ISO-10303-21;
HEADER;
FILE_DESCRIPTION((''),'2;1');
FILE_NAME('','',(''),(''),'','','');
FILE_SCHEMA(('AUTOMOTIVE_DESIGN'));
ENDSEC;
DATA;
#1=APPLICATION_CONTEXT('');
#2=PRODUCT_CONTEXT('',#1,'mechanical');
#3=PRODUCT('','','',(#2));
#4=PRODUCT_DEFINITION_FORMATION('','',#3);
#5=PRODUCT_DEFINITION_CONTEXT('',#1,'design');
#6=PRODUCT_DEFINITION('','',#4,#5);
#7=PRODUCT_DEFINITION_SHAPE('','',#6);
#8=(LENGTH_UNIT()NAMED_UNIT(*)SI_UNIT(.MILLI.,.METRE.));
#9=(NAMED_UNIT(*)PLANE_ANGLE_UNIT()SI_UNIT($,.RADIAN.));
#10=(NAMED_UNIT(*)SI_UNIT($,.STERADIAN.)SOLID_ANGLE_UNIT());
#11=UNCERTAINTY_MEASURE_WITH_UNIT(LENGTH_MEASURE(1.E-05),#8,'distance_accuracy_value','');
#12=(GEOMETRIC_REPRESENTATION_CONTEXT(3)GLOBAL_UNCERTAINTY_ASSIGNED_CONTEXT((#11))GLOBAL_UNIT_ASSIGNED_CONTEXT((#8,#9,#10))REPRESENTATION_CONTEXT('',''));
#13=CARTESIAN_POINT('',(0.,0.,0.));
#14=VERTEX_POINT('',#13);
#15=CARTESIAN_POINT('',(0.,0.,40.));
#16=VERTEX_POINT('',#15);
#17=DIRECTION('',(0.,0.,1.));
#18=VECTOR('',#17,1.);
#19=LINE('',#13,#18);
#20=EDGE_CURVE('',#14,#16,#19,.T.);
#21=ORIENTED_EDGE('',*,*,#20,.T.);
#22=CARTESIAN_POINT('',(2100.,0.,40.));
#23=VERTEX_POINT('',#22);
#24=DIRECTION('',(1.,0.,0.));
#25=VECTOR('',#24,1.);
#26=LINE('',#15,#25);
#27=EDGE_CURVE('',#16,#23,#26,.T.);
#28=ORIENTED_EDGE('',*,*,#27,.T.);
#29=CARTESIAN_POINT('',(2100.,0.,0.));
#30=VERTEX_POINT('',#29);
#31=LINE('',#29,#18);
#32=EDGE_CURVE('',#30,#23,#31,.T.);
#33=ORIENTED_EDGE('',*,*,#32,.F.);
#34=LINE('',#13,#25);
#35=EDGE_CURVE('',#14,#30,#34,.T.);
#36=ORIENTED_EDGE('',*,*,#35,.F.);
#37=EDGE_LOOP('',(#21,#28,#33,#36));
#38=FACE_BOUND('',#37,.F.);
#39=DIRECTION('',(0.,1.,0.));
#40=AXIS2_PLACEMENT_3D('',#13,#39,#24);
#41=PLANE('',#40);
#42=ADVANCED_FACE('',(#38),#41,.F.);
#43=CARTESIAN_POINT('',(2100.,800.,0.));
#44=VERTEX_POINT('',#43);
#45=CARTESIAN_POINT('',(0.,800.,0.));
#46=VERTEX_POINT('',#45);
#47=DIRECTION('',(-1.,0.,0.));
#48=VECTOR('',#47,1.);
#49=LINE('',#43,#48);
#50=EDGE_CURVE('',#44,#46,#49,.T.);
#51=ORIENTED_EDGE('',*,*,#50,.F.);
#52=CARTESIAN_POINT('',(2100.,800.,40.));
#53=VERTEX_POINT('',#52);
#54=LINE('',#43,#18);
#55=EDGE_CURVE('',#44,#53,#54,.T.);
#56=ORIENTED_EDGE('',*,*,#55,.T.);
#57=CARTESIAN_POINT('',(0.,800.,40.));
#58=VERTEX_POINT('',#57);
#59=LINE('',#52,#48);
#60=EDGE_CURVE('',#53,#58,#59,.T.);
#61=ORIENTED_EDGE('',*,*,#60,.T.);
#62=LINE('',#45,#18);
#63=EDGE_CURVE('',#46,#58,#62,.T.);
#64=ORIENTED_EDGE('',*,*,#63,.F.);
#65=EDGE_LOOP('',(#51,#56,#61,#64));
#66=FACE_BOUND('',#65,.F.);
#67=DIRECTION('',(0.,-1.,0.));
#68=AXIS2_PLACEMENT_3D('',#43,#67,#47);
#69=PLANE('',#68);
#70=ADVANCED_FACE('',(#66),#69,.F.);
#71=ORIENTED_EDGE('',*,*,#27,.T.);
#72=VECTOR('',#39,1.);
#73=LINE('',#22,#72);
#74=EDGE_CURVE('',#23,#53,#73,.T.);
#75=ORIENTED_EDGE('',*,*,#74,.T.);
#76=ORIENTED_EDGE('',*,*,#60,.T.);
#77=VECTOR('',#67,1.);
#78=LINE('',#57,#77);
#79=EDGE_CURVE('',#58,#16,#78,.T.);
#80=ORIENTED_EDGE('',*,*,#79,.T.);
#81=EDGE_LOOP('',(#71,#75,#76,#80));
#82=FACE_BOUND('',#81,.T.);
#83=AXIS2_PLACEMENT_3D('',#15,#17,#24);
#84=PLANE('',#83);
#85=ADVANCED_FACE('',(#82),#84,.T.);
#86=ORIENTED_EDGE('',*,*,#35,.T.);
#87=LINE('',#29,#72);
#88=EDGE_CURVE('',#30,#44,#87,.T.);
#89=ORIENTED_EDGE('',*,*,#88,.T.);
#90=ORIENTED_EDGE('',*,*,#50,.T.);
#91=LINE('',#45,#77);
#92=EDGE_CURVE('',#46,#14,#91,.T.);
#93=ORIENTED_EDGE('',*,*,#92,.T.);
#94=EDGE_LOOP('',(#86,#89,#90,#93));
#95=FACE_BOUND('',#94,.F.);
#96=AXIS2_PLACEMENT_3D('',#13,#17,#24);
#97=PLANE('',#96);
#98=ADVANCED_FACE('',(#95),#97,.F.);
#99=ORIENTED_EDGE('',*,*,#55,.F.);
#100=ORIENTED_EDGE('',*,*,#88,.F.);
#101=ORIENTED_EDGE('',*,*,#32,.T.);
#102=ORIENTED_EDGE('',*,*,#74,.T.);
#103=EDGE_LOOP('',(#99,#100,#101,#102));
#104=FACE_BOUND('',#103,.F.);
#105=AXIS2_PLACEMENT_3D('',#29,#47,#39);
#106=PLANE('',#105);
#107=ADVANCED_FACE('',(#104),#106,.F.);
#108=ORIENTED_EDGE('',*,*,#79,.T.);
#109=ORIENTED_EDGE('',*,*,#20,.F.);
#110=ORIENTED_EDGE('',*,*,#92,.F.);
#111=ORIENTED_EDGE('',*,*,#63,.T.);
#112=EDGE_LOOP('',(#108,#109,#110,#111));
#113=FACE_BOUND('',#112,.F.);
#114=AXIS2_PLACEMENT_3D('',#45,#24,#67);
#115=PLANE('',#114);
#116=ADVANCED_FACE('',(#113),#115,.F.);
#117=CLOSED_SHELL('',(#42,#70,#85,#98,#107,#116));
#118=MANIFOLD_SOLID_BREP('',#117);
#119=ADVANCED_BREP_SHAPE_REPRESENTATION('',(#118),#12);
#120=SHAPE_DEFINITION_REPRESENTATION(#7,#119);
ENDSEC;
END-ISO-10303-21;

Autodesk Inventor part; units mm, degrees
ref_plane "YZ Plane" through (0, 0, 0) normal (1, 0, 0) x (0, 1, 0)
ref_plane "XZ Plane" through (0, 0, 0) normal (0, 1, 0) x (-1, 0, 0)
ref_plane "XY Plane" through (0, 0, 0) normal (0, 0, 1) x (1, 0, 0)
sketch "Sketch1" plane through (0, 0, 0) normal (0, 0, 1) x (1, 0, 0)
  line L0 (0, 0) -> (2100, 0)
  line L1 (2100, 0) -> (2100, 800)
  line L2 (2100, 800) -> (0, 800)
  line L3 (0, 800) -> (0, 0)
  dimension "d0" = 2100
  dimension "d1" = 800
extrude "Extrusion1" add sketch "Sketch1" along normal blind 40
properties part number "computerTop" material "Wood (Birch)"
